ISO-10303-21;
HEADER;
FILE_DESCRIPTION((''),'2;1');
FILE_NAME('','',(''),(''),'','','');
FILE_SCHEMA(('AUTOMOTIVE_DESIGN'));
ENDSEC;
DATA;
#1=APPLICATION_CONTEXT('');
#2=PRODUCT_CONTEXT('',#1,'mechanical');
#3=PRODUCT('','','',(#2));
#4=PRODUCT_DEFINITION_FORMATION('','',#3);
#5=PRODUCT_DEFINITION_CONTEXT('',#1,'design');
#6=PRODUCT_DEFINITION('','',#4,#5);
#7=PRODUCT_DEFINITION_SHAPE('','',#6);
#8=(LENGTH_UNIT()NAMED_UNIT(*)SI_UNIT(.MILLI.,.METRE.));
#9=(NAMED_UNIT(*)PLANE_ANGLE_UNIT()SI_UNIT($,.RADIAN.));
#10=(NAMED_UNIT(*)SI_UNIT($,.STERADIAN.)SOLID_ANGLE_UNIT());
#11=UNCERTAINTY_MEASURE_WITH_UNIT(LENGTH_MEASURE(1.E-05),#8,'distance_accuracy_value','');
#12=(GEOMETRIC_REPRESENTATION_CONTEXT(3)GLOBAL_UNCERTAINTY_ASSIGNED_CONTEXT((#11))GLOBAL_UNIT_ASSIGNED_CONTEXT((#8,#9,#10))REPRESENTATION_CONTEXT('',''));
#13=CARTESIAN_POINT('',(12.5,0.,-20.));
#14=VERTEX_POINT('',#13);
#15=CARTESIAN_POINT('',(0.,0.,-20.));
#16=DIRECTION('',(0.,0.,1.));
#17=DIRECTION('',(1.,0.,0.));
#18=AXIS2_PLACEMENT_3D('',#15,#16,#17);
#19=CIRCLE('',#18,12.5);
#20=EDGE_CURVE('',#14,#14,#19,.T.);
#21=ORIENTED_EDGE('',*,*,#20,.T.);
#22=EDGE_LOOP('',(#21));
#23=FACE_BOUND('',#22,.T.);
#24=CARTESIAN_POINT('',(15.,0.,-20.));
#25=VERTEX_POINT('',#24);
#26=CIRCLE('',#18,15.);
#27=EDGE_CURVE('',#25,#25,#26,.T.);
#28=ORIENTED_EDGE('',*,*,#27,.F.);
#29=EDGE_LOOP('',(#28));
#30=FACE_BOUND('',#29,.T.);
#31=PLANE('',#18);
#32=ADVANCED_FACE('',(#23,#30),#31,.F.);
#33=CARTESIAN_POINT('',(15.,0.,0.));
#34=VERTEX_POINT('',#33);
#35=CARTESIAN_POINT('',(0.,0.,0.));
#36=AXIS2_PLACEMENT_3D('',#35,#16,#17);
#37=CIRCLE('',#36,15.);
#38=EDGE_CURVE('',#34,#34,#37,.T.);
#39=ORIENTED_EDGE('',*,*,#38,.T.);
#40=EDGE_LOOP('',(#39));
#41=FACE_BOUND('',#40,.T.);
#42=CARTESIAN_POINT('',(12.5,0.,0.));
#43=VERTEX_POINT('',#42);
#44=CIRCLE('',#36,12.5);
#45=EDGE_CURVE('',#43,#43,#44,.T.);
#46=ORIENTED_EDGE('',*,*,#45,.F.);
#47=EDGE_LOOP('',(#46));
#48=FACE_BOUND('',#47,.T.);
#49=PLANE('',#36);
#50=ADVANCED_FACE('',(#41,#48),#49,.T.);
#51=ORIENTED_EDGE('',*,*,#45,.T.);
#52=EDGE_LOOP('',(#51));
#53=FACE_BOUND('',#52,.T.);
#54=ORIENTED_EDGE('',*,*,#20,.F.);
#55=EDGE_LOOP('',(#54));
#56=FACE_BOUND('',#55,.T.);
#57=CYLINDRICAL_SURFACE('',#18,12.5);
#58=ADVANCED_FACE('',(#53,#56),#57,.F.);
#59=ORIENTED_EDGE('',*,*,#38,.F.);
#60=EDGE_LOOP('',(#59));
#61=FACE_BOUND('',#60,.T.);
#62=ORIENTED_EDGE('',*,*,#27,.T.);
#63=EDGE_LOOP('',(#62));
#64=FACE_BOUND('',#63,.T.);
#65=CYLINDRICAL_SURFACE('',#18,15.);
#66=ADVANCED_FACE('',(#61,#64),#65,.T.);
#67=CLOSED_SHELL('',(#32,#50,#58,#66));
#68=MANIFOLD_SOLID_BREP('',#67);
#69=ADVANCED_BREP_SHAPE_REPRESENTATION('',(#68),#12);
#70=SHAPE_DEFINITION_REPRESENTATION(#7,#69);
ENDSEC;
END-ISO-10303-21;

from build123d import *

# Parameters (mm, degrees)
CROQUIS1_R              = 15
CROQUIS1_R_2            = 12.5
SALIENTE_EXTRUIR1_DEPTH = 20


with BuildPart() as part:
    # Croquis1 → Saliente-Extruir1 (new body)
    with BuildSketch(Plane.XY):
        Circle(CROQUIS1_R)
        Circle(CROQUIS1_R_2, mode=Mode.SUBTRACT)
    extrude(amount=-SALIENTE_EXTRUIR1_DEPTH)


solid = part.part
